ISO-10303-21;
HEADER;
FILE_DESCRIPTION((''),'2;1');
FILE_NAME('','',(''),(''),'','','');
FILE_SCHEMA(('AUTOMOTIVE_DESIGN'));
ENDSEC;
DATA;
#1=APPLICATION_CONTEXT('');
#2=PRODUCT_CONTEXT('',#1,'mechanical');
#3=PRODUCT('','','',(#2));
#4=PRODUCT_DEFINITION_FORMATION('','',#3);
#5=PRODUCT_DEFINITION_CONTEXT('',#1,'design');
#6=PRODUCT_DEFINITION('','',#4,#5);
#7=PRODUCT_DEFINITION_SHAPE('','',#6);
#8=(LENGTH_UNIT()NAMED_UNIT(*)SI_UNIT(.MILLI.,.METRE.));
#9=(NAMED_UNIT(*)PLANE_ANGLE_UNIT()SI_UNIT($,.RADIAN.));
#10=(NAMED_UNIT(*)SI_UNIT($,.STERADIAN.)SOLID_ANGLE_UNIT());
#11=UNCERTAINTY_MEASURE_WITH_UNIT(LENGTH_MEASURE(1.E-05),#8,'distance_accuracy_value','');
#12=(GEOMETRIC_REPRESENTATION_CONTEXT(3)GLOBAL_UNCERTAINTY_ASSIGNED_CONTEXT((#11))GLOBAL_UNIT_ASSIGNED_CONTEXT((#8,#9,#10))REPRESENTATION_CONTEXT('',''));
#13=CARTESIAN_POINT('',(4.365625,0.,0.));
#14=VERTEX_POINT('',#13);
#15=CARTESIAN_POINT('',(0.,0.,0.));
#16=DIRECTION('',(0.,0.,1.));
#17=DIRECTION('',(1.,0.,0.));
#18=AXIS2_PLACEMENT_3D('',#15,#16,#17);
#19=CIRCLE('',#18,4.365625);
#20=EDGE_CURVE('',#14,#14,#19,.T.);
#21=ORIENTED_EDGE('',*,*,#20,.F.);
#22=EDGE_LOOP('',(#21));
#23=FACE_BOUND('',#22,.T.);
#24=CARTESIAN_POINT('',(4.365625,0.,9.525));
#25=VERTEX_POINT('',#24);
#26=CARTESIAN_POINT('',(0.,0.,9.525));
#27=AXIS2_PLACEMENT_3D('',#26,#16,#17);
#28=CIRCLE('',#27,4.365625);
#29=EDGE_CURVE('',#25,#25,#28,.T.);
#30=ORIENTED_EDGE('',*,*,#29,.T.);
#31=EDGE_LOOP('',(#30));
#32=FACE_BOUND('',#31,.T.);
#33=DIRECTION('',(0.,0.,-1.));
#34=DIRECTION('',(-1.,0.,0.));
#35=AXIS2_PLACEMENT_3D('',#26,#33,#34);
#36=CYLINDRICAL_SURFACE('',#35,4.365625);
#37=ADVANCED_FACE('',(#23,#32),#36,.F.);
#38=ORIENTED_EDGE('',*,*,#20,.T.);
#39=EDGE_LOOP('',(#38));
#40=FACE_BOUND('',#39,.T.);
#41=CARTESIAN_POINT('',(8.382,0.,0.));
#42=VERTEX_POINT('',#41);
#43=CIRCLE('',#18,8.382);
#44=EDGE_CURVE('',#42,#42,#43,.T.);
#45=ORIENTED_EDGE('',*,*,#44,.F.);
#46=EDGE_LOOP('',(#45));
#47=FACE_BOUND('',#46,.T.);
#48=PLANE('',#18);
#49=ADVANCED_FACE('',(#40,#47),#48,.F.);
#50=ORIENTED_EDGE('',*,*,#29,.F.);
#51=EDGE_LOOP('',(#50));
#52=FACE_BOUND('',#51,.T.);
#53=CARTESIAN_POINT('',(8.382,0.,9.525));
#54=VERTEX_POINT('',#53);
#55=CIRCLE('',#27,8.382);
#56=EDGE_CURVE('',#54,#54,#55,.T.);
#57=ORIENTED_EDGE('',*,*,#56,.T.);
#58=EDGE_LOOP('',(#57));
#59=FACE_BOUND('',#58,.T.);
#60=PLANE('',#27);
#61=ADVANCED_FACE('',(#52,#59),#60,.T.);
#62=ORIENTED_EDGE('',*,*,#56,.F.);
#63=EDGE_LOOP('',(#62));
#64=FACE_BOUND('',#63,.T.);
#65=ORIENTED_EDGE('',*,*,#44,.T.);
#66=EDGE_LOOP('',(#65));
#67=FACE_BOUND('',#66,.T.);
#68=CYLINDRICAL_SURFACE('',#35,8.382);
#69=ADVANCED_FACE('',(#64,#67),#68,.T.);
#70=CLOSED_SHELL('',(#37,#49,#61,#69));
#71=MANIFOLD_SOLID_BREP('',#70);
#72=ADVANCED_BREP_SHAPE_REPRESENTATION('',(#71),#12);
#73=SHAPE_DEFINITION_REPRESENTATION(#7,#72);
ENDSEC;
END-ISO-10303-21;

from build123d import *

# Parameters (mm, degrees)
SKETCH1_R           = 8.382
SKETCH1_R_2         = 4.365625
BOSS_EXTRUDE1_DEPTH = 9.525


with BuildPart() as part:
    # Sketch1 → Boss-Extrude1 (new body)
    with BuildSketch(Plane.XY):
        Circle(SKETCH1_R)
        Circle(SKETCH1_R_2, mode=Mode.SUBTRACT)
    extrude(amount=BOSS_EXTRUDE1_DEPTH)


solid = part.part
